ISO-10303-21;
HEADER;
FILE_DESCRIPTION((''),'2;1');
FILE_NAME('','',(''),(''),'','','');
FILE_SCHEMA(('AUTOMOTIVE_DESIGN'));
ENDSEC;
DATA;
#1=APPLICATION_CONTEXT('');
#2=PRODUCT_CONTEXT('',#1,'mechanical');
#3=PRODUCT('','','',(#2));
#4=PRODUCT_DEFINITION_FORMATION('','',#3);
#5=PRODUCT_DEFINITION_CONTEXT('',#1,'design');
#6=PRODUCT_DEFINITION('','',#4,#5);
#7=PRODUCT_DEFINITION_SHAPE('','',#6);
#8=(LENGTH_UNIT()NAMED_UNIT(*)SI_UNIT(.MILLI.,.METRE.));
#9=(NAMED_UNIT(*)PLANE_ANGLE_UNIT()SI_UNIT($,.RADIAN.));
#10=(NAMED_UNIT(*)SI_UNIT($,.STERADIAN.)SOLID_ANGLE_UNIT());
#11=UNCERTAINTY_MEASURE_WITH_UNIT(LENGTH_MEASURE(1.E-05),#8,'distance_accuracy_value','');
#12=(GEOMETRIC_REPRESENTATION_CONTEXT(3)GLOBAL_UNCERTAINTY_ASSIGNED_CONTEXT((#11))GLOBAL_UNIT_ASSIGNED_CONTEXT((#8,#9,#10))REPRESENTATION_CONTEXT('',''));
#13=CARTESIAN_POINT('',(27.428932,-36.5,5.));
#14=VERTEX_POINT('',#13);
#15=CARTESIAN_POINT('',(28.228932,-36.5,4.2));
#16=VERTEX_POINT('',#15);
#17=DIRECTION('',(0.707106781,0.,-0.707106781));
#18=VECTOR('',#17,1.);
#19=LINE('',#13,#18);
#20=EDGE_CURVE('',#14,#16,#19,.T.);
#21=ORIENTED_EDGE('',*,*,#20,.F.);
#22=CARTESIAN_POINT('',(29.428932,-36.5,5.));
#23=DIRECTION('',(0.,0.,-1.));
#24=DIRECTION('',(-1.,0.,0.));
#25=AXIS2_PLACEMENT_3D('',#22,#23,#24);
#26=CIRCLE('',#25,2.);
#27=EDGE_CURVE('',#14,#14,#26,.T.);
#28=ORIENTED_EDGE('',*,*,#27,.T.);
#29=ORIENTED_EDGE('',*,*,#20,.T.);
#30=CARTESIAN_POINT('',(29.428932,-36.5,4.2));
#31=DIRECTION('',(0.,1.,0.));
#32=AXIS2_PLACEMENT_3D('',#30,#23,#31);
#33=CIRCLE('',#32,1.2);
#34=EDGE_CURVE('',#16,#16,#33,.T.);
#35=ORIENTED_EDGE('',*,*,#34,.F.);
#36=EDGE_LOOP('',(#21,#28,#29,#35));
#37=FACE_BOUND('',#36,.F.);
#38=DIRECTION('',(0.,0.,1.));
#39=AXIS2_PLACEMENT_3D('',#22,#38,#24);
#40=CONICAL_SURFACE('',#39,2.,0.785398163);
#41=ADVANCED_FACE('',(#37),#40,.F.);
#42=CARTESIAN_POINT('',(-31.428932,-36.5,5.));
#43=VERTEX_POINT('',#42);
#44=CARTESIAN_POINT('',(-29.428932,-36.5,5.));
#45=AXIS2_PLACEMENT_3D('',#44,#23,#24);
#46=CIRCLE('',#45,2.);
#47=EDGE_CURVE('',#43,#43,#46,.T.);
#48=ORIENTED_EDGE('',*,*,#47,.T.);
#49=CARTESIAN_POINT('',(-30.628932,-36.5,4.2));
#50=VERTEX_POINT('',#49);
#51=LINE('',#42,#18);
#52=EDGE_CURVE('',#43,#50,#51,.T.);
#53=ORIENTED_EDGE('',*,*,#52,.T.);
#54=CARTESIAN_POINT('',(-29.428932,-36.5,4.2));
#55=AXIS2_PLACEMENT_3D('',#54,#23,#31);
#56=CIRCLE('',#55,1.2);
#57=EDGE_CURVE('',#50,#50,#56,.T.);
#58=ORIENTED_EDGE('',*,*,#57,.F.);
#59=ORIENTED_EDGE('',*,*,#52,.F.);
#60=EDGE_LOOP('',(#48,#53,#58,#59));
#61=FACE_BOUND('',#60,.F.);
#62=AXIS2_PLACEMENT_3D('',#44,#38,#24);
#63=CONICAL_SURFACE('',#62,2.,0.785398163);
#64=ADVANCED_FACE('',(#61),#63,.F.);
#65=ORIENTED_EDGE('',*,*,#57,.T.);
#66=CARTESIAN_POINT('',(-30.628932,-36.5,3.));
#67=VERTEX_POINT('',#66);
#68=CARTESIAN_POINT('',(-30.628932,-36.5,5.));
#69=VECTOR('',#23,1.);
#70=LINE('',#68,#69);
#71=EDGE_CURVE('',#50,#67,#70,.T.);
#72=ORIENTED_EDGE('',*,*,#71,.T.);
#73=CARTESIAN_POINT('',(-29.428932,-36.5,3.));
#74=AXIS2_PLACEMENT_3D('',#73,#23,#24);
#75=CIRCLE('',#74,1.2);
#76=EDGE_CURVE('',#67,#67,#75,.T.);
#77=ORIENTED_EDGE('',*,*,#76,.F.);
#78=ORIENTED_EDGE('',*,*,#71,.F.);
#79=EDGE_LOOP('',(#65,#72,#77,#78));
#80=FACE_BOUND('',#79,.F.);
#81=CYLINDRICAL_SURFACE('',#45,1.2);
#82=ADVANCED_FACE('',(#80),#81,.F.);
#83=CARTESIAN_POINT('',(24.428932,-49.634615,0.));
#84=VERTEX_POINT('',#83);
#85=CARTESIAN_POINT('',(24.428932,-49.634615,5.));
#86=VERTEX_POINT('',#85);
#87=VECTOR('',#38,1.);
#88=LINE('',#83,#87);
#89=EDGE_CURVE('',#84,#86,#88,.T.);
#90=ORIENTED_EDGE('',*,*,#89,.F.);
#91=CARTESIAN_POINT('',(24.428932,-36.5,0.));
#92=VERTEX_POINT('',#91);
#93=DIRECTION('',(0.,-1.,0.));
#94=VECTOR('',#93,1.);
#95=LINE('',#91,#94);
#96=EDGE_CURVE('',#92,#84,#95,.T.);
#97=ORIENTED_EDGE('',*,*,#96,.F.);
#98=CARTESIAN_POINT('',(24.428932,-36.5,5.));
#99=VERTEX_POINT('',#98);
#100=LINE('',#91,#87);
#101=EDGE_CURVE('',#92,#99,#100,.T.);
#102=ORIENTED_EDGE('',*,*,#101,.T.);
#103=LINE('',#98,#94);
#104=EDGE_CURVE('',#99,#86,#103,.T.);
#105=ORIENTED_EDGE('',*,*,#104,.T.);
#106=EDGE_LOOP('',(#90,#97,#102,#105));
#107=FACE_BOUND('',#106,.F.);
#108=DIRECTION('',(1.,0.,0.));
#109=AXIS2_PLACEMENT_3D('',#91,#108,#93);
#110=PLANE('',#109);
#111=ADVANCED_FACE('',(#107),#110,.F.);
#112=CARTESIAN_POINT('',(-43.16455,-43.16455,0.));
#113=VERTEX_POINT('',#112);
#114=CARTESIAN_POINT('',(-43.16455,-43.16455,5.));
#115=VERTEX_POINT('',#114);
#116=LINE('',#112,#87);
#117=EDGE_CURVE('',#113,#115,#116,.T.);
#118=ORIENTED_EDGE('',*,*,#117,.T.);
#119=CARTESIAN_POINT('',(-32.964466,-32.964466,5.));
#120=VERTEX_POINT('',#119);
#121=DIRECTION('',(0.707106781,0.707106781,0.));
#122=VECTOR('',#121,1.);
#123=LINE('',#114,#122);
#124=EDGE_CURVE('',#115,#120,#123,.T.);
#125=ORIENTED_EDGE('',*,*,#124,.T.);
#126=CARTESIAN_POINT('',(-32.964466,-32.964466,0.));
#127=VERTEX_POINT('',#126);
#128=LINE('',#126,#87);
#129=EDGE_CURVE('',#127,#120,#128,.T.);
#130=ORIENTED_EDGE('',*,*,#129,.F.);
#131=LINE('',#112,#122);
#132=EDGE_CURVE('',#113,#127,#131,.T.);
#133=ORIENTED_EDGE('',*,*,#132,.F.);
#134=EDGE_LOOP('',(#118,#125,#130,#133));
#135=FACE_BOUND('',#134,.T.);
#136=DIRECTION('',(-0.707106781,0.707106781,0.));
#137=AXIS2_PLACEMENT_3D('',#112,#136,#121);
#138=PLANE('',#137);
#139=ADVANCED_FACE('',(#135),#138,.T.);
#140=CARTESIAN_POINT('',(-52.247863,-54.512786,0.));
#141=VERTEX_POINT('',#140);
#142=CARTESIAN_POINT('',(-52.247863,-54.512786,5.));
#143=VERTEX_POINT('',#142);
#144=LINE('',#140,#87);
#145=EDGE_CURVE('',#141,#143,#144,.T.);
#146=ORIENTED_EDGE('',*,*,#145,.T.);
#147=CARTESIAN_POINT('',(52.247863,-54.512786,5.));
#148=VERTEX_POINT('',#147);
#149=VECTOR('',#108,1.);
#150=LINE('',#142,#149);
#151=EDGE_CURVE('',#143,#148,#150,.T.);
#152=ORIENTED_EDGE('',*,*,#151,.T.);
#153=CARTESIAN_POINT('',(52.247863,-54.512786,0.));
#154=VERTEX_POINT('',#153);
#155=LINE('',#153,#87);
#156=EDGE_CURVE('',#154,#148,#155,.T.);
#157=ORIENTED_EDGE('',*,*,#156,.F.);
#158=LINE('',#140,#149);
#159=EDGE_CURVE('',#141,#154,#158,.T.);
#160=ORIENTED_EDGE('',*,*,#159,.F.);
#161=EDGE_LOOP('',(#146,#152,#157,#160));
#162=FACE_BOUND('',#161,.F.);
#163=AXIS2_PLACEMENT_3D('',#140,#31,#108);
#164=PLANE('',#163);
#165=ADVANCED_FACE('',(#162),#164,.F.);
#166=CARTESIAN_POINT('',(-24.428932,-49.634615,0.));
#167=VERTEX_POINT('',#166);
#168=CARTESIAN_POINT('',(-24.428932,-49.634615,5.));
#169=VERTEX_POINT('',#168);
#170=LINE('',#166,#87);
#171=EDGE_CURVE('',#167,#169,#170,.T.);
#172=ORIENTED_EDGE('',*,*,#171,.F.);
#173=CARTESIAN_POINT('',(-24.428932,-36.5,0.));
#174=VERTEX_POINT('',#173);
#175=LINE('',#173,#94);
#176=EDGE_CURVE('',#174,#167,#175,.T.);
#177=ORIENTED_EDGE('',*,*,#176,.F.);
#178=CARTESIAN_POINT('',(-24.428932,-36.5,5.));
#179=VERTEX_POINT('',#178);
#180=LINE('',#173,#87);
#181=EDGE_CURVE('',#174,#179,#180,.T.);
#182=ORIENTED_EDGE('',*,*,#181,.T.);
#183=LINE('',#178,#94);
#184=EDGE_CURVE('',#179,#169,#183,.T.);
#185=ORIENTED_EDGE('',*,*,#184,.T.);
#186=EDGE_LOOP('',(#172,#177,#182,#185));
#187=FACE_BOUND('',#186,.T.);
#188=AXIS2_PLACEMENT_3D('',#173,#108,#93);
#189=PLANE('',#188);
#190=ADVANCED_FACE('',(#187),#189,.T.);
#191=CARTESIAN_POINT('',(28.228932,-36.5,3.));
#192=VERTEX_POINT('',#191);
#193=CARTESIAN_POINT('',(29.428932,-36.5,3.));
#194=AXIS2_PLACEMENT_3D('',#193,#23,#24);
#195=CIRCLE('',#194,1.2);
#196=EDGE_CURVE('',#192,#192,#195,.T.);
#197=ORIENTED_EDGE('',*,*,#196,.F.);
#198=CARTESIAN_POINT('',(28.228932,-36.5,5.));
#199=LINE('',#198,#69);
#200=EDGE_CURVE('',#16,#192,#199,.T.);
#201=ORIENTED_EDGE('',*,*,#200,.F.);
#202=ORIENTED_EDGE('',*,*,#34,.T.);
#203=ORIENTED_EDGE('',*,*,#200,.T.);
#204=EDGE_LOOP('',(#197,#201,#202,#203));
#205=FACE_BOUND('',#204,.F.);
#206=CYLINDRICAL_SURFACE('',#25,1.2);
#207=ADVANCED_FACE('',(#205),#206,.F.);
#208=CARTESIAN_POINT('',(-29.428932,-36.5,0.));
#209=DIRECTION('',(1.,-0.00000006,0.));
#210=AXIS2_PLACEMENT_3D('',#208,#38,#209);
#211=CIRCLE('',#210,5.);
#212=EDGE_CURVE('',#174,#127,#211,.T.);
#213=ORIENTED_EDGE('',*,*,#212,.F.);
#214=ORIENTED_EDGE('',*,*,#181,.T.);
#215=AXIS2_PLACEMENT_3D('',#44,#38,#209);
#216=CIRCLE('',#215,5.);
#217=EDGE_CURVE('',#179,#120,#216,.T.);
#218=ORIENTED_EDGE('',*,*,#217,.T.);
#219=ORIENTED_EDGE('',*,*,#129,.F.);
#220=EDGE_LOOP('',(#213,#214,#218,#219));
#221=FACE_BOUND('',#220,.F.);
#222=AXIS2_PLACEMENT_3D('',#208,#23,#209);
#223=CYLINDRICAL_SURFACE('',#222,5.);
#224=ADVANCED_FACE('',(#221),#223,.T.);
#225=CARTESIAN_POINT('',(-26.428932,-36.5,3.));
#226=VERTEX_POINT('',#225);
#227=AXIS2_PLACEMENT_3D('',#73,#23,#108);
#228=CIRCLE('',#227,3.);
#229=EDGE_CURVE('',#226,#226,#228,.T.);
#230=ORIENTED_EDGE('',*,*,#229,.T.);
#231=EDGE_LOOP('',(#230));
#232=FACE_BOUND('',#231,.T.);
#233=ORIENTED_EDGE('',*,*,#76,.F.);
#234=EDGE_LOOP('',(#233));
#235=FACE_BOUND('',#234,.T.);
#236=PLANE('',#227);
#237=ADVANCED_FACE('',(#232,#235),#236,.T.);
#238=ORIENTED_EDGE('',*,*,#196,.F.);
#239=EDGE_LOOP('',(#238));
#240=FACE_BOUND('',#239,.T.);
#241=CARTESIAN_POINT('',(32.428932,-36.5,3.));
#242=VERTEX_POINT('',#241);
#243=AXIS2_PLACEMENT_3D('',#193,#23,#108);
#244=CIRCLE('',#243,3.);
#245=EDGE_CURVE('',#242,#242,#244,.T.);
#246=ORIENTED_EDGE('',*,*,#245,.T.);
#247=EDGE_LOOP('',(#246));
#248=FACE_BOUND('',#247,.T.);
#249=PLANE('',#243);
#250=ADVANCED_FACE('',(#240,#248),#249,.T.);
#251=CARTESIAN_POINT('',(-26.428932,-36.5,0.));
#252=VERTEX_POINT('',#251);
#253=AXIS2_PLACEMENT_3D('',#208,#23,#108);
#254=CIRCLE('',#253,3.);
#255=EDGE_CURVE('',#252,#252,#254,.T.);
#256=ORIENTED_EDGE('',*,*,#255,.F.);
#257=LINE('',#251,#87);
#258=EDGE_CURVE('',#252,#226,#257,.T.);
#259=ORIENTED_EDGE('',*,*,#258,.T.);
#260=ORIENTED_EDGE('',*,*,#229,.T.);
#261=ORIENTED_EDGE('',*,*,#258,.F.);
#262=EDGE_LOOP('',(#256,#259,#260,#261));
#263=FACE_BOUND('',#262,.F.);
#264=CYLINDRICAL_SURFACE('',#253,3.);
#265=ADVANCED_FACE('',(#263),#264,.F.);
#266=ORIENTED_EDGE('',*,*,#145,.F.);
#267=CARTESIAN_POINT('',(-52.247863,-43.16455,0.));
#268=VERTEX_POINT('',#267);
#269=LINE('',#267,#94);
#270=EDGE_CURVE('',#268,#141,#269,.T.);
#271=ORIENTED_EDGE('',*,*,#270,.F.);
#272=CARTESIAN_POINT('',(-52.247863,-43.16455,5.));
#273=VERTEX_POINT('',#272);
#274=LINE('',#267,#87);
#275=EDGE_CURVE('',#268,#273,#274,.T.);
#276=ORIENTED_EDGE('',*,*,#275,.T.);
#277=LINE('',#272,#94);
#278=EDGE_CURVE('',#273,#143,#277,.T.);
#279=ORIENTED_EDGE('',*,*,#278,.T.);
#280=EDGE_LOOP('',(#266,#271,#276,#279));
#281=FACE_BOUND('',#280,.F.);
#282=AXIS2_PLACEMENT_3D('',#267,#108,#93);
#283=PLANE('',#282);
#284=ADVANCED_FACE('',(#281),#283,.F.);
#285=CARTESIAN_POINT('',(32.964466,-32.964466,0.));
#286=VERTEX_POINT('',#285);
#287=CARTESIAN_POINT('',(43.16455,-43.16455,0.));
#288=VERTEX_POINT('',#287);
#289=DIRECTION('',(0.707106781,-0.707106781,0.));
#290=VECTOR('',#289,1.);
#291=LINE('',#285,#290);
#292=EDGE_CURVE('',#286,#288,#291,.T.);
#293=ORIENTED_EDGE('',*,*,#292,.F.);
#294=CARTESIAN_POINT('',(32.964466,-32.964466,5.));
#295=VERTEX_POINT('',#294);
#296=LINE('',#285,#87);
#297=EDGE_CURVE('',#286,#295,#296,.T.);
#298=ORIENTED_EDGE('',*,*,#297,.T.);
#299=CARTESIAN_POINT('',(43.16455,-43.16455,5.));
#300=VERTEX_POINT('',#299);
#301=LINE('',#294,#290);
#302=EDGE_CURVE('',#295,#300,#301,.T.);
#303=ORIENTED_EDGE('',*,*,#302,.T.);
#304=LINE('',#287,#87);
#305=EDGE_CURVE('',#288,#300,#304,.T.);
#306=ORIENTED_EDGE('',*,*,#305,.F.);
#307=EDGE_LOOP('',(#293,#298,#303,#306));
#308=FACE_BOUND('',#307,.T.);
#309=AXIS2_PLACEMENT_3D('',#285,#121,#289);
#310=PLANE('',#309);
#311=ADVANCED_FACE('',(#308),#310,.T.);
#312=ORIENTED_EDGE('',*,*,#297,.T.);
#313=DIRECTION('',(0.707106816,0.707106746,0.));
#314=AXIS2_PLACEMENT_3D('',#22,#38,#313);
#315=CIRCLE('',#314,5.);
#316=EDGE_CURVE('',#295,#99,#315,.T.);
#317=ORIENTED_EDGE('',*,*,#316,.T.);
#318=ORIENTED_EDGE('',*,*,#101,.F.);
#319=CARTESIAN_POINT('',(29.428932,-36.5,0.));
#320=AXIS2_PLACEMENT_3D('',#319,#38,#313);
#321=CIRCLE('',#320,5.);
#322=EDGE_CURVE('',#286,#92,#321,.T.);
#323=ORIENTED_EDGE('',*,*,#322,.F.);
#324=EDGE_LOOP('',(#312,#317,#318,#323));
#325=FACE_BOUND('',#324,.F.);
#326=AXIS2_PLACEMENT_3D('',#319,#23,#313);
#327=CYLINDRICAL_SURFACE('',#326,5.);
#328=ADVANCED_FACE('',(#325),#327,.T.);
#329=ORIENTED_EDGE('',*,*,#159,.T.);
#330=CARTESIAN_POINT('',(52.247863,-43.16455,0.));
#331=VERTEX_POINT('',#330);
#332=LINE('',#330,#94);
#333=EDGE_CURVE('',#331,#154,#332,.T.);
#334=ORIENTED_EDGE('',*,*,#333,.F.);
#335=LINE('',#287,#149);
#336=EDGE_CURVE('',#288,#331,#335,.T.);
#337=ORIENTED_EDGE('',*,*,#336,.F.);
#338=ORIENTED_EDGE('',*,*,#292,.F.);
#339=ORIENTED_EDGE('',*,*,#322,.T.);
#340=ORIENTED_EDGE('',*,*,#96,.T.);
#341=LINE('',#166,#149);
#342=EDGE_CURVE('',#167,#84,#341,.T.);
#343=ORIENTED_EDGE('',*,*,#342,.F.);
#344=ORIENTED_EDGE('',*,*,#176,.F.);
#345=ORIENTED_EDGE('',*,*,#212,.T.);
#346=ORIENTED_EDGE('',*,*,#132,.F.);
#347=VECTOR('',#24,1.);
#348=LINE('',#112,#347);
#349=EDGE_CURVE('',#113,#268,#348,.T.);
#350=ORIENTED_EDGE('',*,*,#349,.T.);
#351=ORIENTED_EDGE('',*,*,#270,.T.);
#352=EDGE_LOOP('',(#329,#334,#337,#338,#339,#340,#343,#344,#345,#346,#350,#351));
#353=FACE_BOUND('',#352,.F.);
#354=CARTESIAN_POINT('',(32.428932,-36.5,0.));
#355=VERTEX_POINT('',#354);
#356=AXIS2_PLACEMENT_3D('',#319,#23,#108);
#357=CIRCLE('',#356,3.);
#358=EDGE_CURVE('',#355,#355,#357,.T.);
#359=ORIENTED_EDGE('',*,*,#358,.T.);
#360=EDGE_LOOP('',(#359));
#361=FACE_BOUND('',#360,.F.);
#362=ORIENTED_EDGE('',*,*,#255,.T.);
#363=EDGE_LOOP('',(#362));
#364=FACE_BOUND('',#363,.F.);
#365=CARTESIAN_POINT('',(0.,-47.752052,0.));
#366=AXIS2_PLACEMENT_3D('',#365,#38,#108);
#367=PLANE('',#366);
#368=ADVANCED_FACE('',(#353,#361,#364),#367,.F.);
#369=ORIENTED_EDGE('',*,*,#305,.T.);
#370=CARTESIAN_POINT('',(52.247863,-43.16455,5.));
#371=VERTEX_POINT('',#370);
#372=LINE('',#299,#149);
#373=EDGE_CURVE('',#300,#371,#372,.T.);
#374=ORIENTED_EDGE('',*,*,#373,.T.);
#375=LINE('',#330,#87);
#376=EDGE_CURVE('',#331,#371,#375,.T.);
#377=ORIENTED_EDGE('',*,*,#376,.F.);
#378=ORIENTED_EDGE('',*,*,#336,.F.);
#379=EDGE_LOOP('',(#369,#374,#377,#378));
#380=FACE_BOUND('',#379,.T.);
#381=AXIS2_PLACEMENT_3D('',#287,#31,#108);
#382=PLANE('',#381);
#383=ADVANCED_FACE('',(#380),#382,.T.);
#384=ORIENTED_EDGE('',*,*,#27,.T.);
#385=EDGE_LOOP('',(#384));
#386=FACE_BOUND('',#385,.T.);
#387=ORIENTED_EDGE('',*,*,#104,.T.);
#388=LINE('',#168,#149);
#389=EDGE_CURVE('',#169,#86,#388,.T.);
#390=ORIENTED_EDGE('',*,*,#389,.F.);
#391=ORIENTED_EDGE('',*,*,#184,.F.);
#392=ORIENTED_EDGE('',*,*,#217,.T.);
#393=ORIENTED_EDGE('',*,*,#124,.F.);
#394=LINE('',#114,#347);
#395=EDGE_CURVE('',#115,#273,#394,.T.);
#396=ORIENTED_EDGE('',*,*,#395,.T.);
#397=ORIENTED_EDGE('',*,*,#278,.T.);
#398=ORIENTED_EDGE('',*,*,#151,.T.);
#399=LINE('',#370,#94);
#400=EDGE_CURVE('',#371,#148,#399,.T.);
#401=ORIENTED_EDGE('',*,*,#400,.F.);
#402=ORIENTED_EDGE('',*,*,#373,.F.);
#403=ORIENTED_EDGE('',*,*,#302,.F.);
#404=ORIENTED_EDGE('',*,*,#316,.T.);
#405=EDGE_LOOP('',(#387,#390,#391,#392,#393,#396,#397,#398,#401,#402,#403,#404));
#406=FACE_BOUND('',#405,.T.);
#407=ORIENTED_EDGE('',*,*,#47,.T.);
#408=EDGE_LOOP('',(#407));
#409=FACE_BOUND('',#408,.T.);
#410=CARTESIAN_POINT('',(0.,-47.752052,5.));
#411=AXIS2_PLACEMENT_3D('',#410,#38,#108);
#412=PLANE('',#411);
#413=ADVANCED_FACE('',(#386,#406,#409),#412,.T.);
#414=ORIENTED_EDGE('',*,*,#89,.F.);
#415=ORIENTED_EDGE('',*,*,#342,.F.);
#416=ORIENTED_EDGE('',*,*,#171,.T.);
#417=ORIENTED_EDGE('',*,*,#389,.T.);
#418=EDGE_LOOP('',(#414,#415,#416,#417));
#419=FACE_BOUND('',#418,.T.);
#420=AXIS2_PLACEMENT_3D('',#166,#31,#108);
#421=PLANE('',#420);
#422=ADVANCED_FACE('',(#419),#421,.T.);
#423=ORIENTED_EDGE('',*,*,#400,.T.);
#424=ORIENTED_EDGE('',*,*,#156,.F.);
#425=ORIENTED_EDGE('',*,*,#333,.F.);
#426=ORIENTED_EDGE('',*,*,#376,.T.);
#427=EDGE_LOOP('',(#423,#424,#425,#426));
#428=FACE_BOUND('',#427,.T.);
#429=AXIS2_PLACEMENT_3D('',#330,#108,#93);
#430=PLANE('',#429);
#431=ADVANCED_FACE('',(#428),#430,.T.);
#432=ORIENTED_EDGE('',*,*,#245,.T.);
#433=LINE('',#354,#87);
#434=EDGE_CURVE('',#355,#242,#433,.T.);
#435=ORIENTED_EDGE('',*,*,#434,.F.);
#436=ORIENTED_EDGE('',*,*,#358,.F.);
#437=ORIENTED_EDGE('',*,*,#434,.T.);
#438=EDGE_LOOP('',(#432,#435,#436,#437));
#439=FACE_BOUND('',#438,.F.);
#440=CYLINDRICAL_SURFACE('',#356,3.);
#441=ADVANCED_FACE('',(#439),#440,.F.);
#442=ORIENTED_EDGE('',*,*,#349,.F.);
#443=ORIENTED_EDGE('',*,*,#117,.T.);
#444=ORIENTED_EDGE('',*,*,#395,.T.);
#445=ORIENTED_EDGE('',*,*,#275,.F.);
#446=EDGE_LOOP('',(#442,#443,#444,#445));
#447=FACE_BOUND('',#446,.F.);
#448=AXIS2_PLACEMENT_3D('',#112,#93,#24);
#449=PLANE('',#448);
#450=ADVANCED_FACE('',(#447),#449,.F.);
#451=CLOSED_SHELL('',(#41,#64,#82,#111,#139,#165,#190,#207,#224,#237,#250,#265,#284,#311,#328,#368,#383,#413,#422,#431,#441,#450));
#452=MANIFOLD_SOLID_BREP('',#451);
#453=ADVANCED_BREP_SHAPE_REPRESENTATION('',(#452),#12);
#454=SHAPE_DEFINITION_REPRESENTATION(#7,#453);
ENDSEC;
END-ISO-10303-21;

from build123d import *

# Parameters (mm, degrees)
PAD_DEPTH        = 5
SKETCH_R         = 3
POCKET_DEPTH     = 3
HOLE_D           = 2.4
HOLE_CSINK_D     = 4
HOLE_CSINK_ANGLE = 90


with BuildPart() as part:
    # Sketch_1 → Pad (new body)
    with BuildSketch(Plane.XY):
        with BuildLine():
            ThreePointArc((-24.428932, -36.5), (-27.515515, -31.880602), (-32.964466, -32.964466))
            Line((-43.16455, -43.16455), (-32.964466, -32.964466))
            Line((-43.16455, -43.16455), (-52.247863, -43.16455))
            Line((-52.247863, -43.16455), (-52.247863, -54.512786))
            Line((-52.247863, -54.512786), (52.247863, -54.512786))
            Line((52.247863, -43.16455), (52.247863, -54.512786))
            Line((43.16455, -43.16455), (52.247863, -43.16455))
            Line((32.964466, -32.964466), (43.16455, -43.16455))
            ThreePointArc((32.964466, -32.964466), (27.515515, -31.880602), (24.428932, -36.5))
            Line((24.428932, -36.5), (24.428932, -49.634615))
            Line((-24.428932, -49.634615), (24.428932, -49.634615))
            Line((-24.428932, -36.5), (-24.428932, -49.634615))
        make_face()
    extrude(amount=PAD_DEPTH)

    # Sketch (on Face13 of Pad) → Pocket (cut)
    with BuildSketch(Plane(origin=(0, 0, 0), x_dir=(1, 0, 0), z_dir=(0, 0, -1))):
        with Locations((-29.428932, 36.5)):
            Circle(SKETCH_R)
        with Locations((29.428932, 36.5)):
            Circle(SKETCH_R)
    extrude(amount=-POCKET_DEPTH, mode=Mode.SUBTRACT)

    # Hole (through all)
    with Locations(Plane.XY.offset(5)):
        with Locations((-29.428932, -36.5), (29.428932, -36.5)):
            CounterSinkHole(HOLE_D / 2, HOLE_CSINK_D / 2, counter_sink_angle=HOLE_CSINK_ANGLE)


solid = part.part
